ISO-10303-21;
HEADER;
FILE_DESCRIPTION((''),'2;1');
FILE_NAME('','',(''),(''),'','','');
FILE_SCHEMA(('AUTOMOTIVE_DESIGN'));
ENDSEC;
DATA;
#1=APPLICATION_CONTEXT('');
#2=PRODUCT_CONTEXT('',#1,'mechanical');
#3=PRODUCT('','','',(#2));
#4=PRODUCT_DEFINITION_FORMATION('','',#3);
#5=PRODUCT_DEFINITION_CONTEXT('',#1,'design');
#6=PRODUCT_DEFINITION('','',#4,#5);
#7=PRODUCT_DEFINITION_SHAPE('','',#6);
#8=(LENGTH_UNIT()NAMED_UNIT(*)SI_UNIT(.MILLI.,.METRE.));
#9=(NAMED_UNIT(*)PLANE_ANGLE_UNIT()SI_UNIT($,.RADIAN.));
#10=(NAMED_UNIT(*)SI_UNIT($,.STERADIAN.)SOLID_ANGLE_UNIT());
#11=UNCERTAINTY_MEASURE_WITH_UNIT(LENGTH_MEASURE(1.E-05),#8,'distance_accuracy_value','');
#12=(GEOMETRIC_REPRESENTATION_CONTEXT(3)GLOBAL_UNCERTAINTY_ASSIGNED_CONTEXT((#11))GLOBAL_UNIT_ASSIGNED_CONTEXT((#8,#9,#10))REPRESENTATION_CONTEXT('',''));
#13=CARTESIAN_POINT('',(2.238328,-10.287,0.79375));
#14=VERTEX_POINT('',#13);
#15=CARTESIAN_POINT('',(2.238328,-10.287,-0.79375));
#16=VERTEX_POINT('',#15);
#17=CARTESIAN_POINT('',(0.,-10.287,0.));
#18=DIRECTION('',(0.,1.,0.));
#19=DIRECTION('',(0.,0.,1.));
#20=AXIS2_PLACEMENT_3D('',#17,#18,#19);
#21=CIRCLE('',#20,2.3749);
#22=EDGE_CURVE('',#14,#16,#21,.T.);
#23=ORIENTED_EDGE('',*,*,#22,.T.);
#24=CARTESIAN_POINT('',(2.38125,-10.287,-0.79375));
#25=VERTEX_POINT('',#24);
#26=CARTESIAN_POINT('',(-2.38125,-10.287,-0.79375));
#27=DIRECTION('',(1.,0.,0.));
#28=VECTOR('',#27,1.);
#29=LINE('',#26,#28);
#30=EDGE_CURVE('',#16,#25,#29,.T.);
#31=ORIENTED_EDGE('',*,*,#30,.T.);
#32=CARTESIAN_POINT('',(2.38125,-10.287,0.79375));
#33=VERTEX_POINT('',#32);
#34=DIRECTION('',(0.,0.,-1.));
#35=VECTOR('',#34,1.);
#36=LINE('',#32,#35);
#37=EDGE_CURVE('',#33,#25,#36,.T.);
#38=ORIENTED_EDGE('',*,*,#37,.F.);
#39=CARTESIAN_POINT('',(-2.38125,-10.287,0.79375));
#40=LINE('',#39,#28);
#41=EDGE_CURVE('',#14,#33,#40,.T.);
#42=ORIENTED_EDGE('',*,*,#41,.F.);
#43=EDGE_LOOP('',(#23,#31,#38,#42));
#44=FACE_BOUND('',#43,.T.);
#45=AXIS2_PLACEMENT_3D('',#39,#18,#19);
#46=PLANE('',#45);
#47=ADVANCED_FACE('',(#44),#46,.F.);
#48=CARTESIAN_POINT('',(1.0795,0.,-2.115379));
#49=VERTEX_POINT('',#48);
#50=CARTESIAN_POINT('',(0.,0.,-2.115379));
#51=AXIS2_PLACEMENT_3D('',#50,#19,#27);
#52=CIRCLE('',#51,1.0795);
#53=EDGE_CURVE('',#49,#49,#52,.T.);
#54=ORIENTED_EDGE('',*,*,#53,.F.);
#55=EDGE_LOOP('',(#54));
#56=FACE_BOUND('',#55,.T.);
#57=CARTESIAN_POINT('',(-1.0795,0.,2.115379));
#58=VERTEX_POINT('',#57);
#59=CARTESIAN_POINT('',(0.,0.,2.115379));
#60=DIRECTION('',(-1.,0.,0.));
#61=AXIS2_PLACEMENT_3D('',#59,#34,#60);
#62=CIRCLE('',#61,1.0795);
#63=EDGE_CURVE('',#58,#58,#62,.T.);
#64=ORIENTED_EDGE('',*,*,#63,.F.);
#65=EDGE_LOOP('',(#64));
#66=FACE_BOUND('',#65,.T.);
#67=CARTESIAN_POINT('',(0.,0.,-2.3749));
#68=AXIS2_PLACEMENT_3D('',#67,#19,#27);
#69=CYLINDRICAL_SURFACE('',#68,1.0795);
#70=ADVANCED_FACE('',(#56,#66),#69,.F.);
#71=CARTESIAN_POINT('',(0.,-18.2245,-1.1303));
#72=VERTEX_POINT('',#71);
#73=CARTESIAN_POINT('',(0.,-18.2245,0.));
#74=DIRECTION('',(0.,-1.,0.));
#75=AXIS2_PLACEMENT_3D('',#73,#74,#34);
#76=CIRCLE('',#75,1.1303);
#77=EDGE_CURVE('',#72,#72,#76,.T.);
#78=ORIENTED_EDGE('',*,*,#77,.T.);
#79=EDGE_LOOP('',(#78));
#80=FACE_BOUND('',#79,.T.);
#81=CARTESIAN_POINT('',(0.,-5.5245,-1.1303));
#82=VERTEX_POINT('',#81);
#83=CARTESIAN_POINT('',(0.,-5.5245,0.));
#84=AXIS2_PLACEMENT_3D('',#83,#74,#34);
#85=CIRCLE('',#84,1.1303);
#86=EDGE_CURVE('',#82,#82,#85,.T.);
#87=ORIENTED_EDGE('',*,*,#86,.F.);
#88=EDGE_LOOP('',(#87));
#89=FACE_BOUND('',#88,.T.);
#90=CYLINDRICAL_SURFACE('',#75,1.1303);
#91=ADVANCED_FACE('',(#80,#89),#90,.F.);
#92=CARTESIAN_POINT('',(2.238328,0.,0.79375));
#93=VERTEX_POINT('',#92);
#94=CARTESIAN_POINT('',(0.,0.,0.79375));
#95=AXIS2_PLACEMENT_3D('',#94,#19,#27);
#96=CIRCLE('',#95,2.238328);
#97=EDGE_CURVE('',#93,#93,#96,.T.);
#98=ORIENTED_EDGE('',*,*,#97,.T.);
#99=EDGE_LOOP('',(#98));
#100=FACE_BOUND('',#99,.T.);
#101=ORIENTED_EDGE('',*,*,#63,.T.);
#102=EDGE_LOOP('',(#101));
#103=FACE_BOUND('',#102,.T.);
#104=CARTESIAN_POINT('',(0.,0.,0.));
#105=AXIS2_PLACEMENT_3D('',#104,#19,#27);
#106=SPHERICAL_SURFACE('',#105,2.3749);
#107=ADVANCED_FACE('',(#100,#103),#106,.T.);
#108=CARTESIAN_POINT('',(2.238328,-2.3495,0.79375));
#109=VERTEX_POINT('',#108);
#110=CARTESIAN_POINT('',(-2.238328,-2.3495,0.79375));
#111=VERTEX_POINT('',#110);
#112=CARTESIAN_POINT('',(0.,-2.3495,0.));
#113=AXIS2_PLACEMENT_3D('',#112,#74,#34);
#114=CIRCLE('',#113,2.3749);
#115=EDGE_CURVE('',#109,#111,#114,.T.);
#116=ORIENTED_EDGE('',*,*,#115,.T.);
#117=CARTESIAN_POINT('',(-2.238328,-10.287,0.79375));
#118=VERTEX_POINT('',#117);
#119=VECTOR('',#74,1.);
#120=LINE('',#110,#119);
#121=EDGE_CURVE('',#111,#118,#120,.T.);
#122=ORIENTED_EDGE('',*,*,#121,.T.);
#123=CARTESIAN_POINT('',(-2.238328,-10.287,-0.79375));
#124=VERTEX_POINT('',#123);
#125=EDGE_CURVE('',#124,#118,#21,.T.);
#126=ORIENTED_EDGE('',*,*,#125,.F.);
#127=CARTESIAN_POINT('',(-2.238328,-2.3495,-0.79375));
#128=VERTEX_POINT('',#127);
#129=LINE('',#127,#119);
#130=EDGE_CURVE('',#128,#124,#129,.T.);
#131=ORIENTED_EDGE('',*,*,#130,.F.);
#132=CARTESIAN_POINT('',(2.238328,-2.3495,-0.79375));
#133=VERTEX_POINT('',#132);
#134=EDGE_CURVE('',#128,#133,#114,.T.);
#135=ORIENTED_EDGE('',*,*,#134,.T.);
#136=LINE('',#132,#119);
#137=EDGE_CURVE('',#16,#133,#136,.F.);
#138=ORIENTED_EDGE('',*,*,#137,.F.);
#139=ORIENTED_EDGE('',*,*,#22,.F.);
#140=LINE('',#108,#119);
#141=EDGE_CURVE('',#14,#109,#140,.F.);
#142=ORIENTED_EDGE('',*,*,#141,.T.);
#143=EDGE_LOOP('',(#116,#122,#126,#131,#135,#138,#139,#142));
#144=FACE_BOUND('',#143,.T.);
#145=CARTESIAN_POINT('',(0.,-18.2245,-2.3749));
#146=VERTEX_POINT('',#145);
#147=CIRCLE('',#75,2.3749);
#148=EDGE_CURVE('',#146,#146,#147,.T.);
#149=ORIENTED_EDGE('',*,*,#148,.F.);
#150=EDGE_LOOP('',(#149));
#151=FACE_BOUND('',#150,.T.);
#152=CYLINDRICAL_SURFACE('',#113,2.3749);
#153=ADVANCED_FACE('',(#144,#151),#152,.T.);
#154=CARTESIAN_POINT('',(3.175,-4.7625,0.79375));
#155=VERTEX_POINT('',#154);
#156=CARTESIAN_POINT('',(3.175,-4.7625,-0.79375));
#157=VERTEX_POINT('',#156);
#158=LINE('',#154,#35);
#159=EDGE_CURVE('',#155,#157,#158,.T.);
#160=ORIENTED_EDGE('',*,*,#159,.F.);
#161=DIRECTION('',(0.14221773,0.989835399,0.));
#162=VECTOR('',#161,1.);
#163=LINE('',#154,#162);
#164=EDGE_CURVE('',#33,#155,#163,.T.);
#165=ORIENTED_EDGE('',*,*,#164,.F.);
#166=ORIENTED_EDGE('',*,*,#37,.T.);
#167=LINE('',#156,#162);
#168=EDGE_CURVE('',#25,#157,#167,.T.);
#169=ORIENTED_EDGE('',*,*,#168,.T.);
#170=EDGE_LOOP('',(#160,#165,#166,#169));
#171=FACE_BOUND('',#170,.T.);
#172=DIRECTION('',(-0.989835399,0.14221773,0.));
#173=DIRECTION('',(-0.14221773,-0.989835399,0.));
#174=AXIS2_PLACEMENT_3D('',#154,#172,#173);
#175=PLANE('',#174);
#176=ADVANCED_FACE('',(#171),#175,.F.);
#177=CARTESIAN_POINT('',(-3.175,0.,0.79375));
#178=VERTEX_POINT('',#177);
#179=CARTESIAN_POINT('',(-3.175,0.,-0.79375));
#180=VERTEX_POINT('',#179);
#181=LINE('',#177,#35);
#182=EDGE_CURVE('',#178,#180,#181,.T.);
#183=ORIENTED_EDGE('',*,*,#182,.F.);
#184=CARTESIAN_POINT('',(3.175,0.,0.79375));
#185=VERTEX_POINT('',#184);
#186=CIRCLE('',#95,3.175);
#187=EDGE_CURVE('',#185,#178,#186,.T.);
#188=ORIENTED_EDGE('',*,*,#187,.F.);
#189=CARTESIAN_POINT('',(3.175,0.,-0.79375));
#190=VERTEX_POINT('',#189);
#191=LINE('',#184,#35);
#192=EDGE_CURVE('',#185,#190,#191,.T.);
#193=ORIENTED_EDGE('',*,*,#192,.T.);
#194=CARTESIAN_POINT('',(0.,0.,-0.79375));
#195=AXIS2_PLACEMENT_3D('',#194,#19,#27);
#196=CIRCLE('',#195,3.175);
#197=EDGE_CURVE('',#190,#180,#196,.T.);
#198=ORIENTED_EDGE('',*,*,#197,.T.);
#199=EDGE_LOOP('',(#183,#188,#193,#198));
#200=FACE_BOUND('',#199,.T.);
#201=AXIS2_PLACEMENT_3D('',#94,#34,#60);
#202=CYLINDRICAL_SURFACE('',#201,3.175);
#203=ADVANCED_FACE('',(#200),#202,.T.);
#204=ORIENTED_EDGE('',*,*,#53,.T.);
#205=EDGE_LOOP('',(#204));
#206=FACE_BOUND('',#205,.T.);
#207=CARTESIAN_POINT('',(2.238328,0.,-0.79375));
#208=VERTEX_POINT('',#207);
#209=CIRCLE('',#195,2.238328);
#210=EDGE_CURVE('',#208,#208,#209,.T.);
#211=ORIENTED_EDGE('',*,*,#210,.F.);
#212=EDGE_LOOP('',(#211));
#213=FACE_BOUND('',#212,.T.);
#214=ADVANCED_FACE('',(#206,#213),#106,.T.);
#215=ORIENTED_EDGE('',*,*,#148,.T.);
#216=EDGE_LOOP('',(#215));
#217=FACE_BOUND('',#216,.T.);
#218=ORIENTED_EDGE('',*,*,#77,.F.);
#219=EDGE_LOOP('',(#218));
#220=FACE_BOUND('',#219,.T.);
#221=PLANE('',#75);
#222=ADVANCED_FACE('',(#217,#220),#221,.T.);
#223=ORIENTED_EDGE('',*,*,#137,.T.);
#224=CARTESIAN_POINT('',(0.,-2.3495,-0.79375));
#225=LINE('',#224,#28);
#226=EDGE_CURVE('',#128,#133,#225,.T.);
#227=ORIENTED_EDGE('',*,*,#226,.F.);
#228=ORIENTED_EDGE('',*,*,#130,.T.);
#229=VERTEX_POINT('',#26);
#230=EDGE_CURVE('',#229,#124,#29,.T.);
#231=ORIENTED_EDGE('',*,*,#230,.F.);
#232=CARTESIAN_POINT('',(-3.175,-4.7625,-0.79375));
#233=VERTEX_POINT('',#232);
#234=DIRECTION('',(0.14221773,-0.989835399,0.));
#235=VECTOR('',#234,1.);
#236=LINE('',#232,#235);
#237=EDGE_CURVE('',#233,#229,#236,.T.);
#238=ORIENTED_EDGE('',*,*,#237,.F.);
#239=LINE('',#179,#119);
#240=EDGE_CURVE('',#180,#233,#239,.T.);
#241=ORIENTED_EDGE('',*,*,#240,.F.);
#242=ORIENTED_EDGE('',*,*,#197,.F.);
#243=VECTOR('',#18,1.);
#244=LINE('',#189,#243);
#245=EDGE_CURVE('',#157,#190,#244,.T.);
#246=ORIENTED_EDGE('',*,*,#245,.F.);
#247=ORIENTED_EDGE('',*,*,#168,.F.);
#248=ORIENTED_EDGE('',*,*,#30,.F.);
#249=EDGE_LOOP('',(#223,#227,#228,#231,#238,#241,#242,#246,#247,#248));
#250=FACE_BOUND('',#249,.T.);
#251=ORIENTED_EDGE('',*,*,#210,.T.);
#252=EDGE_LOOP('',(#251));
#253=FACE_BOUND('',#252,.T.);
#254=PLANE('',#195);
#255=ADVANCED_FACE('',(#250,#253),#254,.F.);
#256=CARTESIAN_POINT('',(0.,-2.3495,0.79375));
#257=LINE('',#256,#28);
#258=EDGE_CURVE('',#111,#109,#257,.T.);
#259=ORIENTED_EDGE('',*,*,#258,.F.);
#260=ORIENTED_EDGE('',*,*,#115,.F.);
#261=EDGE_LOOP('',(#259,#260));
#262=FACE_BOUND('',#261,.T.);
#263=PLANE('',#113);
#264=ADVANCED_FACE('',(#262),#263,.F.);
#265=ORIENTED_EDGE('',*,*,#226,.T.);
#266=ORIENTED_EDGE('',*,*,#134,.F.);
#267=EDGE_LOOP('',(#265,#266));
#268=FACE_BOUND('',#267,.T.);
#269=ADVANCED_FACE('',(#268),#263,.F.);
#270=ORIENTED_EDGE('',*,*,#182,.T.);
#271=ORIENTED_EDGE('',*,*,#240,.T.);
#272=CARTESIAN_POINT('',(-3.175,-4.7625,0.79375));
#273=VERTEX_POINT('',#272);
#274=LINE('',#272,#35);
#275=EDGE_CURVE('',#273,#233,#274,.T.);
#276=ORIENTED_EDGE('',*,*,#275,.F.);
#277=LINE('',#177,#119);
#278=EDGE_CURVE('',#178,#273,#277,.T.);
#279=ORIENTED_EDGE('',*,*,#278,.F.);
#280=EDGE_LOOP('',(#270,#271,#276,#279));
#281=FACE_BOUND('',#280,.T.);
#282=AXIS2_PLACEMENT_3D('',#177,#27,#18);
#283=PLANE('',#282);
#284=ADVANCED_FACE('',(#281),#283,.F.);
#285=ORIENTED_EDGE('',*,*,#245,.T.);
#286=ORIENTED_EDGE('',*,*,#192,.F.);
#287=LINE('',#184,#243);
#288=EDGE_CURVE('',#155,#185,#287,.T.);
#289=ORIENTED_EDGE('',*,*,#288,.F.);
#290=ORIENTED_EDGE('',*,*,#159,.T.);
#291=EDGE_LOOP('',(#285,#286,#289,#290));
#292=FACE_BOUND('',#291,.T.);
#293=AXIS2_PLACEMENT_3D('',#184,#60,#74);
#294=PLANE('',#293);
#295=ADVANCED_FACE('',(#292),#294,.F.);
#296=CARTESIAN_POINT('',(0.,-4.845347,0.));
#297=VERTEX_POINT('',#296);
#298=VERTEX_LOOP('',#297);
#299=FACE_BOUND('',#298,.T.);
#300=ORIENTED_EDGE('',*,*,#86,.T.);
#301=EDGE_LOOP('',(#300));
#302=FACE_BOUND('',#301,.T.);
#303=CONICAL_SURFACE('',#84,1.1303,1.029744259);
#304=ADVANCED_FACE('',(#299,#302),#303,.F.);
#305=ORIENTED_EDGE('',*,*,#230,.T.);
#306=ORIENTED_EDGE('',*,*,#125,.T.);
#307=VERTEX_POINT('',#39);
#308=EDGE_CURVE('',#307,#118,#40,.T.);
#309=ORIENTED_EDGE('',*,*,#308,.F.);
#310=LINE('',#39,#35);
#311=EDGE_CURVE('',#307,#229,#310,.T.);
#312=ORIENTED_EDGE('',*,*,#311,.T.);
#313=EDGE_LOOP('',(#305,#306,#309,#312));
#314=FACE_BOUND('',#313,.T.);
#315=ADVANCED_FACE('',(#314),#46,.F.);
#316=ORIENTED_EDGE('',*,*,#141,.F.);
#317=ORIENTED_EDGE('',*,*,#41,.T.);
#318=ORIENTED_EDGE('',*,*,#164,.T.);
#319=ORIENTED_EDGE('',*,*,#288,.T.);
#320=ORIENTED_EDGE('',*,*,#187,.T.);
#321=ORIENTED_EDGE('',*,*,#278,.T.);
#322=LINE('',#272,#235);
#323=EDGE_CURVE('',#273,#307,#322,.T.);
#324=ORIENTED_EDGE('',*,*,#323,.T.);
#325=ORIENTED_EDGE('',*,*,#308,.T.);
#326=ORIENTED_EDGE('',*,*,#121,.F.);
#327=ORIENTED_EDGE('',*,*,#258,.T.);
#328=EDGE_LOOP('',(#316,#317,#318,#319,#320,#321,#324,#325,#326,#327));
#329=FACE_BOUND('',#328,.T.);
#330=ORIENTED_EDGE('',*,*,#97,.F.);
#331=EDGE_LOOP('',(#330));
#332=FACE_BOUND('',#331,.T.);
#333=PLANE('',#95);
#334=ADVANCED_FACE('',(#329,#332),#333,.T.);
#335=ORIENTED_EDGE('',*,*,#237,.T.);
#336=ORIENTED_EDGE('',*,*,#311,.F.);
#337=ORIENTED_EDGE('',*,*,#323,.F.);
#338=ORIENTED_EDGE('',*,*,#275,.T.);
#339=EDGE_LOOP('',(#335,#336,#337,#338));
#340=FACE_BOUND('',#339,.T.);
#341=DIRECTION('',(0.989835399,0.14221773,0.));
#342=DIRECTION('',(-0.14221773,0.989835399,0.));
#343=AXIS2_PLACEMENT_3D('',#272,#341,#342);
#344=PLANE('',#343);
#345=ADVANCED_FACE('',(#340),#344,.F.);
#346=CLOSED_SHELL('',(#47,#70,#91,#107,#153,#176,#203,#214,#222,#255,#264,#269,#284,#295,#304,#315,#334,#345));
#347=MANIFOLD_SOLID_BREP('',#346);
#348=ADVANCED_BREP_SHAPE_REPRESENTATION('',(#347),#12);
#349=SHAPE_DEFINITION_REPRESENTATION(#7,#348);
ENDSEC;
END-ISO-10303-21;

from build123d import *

# Parameters (mm, degrees)
SKETCH3_R                 = 1.0795
CUT_EXTRUDE1_DEPTH        = 3.3749
CUT_EXTRUDE1_DEPTH_BACK   = 3.3749
SKETCH4_R                 = 1.0795
BOSS_EXTRUDE1_DEPTH       = 0.79375
SKETCH5_R                 = 2.3749
BOSS_EXTRUDE2_DEPTH       = 7.9375
F_4_40_TAPPED_HOLE1_D     = 2.2606
F_4_40_TAPPED_HOLE1_DEPTH = 12.7
F_4_40_TAPPED_HOLE1_TIP   = 0.679152758


with BuildPart() as part:
    # Sketch2 → Revolve1 (revolve)
    with BuildSketch(Plane.XY):
        with BuildLine():
            Line((0, 2.3749), (0, -2.3749))
            ThreePointArc((0, -2.3749), (2.3749, 0), (0, 2.3749))
        make_face()
    revolve(axis=Axis((0, 6.043929029, 0), (0, -1, 0)))

    # Sketch3 → Cut-Extrude1 (cut, two sides)
    with BuildSketch(Plane.XY) as cut_extrude1_sk:
        Circle(SKETCH3_R)
    extrude(amount=CUT_EXTRUDE1_DEPTH, mode=Mode.SUBTRACT)
    extrude(cut_extrude1_sk.sketch, amount=-CUT_EXTRUDE1_DEPTH_BACK, mode=Mode.SUBTRACT)

    # Sketch4 → Boss-Extrude1 (add, symmetric)
    with BuildSketch(Plane.XY):
        with BuildLine():
            Line((-3.175, 0), (-3.175, -4.7625))
            Line((-3.175, -4.7625), (-2.38125, -10.287))
            Line((-2.38125, -10.287), (2.38125, -10.287))
            Line((2.38125, -10.287), (3.175, -4.7625))
            Line((3.175, -4.7625), (3.175, 0))
            ThreePointArc((3.175, 0), (0, 3.175), (-3.175, 0))
        make_face()
        Circle(SKETCH4_R, mode=Mode.SUBTRACT)
    extrude(amount=BOSS_EXTRUDE1_DEPTH, both=True)

    # Sketch5 → Boss-Extrude2 (add, symmetric)
    with BuildSketch(Plane.XZ.offset(10.287)):
        Circle(SKETCH5_R)
    extrude(amount=BOSS_EXTRUDE2_DEPTH, both=True)

    # #4-40 Tapped Hole1
    with Locations(Plane(origin=(0, -18.2245, 0), x_dir=(-1, 0, 0), z_dir=(0, -1, 0))):
        with Locations((0, 0)):
            Hole(F_4_40_TAPPED_HOLE1_D / 2, depth=F_4_40_TAPPED_HOLE1_DEPTH)
            with Locations((0, 0, -(F_4_40_TAPPED_HOLE1_DEPTH + F_4_40_TAPPED_HOLE1_TIP / 2))):  # 118° drill point
                Cone(0, F_4_40_TAPPED_HOLE1_D / 2, F_4_40_TAPPED_HOLE1_TIP, mode=Mode.SUBTRACT)


solid = part.part
